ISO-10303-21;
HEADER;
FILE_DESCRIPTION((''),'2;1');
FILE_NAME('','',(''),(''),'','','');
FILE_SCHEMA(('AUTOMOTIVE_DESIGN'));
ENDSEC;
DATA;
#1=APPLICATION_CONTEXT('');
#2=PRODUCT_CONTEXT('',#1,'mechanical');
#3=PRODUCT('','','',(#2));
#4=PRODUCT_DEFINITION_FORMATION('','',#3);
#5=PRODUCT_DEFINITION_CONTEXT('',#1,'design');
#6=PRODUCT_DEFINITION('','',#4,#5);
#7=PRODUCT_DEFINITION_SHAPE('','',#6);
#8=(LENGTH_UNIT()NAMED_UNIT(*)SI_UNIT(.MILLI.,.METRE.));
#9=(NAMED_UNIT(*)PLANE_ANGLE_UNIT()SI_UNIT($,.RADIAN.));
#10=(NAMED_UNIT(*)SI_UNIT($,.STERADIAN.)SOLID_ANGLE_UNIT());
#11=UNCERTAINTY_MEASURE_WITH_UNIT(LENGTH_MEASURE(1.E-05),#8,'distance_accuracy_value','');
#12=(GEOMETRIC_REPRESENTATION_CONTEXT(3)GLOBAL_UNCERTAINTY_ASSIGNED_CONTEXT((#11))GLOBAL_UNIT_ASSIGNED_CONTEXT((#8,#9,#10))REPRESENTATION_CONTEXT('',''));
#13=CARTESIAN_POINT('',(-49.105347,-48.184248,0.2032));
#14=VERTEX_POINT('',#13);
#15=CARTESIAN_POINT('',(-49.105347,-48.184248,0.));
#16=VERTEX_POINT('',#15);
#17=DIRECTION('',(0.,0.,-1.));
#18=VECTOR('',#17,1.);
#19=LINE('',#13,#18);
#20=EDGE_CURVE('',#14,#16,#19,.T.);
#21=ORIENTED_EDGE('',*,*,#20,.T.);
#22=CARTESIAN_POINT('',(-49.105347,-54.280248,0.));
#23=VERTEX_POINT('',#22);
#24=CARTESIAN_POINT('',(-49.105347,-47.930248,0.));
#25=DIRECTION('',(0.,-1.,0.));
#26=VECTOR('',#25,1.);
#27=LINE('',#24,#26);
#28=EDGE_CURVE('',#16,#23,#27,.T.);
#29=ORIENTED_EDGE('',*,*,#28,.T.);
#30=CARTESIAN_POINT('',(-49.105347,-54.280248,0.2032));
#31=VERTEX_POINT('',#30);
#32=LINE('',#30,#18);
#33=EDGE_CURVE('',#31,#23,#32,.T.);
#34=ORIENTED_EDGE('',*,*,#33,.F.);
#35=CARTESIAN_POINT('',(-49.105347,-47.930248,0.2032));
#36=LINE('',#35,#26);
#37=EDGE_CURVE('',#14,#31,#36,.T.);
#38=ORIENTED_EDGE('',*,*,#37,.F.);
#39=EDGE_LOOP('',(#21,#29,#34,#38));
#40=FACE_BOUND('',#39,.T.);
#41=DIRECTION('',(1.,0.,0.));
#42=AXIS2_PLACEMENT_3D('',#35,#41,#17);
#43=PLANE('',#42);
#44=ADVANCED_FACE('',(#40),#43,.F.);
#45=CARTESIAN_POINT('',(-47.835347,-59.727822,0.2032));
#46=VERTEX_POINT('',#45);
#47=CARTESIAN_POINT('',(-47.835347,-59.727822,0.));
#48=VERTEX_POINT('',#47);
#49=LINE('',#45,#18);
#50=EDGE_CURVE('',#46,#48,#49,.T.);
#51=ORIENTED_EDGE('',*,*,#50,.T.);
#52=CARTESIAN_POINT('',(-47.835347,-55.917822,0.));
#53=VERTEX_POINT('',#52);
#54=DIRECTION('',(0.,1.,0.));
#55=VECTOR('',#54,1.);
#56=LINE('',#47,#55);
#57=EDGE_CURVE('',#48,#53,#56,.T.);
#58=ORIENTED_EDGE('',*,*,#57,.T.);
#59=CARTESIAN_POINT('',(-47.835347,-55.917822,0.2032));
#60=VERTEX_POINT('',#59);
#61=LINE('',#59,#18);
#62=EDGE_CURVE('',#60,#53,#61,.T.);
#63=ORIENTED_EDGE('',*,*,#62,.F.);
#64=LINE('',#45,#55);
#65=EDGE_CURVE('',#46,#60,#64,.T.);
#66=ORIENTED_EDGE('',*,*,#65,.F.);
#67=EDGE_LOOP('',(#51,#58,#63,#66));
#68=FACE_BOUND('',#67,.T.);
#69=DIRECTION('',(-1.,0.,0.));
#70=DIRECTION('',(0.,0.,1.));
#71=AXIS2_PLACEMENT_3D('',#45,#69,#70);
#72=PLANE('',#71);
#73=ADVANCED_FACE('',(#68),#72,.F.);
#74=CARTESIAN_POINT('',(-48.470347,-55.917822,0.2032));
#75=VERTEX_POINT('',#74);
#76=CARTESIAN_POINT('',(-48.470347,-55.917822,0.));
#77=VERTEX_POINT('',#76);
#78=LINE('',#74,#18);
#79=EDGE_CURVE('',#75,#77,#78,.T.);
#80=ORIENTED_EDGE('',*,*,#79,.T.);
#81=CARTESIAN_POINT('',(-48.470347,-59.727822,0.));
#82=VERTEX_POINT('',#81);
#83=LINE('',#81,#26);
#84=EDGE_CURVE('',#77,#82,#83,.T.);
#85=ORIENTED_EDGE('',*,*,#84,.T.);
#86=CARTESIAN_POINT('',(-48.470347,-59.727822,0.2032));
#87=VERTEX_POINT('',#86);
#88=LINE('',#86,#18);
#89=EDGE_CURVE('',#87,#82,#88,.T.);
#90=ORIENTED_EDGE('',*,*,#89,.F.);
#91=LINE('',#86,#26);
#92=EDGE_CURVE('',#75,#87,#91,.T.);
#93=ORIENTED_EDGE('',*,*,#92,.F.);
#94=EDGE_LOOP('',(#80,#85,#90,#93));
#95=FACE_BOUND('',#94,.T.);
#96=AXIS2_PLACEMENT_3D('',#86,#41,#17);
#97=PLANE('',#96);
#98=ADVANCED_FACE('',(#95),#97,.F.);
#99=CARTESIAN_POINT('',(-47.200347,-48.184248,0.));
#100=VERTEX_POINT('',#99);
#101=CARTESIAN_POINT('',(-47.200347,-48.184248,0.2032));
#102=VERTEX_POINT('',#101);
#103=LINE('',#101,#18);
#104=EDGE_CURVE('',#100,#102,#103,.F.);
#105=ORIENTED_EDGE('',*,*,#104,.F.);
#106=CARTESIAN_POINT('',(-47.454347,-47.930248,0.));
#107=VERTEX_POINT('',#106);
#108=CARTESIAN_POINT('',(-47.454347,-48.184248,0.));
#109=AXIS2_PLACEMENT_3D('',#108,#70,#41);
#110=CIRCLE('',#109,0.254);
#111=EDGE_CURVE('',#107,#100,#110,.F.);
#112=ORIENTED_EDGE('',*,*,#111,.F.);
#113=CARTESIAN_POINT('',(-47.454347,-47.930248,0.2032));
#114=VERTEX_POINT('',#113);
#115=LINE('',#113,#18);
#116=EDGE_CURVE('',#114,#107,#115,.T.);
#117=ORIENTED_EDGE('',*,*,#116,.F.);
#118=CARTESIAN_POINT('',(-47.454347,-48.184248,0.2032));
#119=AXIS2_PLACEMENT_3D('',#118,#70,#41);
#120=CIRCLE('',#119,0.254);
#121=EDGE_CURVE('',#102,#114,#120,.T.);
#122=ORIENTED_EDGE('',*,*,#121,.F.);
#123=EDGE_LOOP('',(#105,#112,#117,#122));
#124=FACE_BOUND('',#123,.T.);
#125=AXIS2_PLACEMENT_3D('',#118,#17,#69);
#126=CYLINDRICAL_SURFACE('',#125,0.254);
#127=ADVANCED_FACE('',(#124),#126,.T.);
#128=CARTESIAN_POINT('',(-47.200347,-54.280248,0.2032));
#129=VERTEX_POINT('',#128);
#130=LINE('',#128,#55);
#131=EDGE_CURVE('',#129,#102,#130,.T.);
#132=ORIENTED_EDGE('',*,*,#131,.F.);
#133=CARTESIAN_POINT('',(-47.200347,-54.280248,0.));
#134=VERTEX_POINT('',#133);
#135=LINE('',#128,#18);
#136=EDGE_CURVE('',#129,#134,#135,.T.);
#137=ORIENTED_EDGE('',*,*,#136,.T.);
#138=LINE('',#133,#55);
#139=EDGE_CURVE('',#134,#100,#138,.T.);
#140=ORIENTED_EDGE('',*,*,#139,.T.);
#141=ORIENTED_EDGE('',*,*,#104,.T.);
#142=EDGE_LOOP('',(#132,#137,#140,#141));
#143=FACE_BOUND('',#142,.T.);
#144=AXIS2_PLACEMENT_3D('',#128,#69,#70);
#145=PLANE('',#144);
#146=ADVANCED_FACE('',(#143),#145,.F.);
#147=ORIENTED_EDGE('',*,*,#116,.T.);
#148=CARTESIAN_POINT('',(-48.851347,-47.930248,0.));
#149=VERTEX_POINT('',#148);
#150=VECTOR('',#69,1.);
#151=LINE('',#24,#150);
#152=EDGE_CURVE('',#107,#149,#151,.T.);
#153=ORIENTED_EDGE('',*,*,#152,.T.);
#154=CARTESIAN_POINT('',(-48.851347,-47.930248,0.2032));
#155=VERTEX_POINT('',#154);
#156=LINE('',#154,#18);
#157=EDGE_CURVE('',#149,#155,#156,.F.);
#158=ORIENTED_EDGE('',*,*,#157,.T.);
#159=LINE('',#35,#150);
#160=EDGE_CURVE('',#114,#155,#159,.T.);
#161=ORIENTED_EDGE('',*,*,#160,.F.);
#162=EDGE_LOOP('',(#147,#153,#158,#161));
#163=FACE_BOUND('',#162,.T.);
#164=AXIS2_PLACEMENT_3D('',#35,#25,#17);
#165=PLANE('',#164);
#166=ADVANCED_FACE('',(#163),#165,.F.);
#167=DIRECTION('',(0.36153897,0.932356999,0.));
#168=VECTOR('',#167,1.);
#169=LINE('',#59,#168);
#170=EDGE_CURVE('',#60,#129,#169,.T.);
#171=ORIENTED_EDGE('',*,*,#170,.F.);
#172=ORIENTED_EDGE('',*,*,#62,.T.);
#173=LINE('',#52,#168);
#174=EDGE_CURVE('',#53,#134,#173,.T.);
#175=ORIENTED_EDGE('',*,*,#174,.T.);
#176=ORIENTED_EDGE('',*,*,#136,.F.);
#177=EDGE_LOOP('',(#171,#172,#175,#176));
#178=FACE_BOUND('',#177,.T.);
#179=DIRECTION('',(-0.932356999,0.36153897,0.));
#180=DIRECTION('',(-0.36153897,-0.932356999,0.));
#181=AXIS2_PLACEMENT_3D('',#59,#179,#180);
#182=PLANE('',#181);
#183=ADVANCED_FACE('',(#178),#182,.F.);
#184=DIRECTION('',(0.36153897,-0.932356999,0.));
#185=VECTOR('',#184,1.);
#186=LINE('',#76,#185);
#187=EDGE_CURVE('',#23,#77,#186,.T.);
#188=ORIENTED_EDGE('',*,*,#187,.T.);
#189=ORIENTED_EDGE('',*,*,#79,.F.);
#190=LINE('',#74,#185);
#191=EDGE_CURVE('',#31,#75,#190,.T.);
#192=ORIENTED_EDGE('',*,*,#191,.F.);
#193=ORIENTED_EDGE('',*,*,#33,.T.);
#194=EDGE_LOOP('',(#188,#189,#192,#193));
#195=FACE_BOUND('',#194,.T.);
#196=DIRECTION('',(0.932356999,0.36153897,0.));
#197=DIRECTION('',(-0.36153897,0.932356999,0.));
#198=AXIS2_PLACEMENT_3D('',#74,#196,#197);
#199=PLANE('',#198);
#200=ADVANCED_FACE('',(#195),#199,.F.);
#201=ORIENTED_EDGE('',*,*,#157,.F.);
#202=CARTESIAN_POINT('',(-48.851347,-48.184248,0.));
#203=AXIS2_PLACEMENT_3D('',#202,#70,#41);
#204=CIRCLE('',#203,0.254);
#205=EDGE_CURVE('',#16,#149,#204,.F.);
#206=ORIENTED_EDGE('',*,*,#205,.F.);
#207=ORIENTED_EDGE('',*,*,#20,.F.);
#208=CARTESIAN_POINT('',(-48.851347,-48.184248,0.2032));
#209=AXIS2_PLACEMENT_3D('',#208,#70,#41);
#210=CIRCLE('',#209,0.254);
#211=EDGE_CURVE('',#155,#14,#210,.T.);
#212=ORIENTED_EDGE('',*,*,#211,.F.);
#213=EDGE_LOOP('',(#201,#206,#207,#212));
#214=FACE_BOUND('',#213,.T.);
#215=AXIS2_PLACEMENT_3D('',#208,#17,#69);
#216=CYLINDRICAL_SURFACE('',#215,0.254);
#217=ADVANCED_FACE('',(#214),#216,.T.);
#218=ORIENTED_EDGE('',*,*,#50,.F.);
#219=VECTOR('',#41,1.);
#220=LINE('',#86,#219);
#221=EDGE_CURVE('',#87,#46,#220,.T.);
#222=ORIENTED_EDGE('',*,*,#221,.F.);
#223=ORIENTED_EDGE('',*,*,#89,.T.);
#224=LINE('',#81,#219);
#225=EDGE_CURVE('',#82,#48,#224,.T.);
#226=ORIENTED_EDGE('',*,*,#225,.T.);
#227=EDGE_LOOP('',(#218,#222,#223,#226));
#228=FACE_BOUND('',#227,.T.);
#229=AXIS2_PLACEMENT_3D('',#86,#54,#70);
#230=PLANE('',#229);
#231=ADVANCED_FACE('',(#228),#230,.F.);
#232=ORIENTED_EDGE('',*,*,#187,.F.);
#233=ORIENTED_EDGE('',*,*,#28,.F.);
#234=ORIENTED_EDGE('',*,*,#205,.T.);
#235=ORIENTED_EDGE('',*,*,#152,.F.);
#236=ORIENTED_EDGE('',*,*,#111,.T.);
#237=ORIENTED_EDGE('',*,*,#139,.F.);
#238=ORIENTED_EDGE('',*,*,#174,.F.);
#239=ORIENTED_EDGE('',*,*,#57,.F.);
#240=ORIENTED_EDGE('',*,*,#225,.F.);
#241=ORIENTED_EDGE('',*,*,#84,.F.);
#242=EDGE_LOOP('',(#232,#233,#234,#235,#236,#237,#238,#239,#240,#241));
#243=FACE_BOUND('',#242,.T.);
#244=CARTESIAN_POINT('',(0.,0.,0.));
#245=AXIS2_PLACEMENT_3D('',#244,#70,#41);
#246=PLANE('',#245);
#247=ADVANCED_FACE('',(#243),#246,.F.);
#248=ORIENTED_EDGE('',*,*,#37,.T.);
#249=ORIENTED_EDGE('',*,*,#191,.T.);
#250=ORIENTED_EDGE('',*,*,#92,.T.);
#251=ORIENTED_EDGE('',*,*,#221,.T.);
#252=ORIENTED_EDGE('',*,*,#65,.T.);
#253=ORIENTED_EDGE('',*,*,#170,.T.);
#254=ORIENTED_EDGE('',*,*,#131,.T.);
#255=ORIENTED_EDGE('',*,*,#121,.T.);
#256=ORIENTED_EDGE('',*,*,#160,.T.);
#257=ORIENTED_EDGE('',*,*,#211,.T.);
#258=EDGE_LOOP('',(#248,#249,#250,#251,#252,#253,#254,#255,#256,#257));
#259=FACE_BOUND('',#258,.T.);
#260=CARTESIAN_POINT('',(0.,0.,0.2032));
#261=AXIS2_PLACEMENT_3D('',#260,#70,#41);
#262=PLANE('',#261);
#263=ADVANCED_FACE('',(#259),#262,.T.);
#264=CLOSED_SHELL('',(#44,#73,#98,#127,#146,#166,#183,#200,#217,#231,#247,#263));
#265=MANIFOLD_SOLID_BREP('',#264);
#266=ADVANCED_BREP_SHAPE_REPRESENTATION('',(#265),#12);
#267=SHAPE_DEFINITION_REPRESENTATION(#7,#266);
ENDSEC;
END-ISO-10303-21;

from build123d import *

# Parameters (mm, degrees)
BOSS_EXTRUDE1_DEPTH = 0.2032
FILLET2_R           = 0.254


with BuildPart() as part:
    # Sketch1 → Boss-Extrude1 (new body)
    with BuildSketch(Plane.XY):
        Polygon((-49.105346889, -47.930248144), (-47.200346889, -47.930248144), (-47.200346889, -54.280248144), (-47.835346889, -55.917821802), (-47.835346889, -59.727821802), (-48.470346889, -59.727821802), (-48.470346889, -55.917821802), (-49.105346889, -54.280248144), align=None)
    extrude(amount=BOSS_EXTRUDE1_DEPTH)

    # Fillet2
    fillet2_edges = [part.edges().sort_by_distance(p)[0] for p in [
        (-49.105346889, -47.930248144, 0.1016),
        (-47.200346889, -47.930248144, 0.1016),
    ]]
    fillet(fillet2_edges, radius=FILLET2_R)


solid = part.part
